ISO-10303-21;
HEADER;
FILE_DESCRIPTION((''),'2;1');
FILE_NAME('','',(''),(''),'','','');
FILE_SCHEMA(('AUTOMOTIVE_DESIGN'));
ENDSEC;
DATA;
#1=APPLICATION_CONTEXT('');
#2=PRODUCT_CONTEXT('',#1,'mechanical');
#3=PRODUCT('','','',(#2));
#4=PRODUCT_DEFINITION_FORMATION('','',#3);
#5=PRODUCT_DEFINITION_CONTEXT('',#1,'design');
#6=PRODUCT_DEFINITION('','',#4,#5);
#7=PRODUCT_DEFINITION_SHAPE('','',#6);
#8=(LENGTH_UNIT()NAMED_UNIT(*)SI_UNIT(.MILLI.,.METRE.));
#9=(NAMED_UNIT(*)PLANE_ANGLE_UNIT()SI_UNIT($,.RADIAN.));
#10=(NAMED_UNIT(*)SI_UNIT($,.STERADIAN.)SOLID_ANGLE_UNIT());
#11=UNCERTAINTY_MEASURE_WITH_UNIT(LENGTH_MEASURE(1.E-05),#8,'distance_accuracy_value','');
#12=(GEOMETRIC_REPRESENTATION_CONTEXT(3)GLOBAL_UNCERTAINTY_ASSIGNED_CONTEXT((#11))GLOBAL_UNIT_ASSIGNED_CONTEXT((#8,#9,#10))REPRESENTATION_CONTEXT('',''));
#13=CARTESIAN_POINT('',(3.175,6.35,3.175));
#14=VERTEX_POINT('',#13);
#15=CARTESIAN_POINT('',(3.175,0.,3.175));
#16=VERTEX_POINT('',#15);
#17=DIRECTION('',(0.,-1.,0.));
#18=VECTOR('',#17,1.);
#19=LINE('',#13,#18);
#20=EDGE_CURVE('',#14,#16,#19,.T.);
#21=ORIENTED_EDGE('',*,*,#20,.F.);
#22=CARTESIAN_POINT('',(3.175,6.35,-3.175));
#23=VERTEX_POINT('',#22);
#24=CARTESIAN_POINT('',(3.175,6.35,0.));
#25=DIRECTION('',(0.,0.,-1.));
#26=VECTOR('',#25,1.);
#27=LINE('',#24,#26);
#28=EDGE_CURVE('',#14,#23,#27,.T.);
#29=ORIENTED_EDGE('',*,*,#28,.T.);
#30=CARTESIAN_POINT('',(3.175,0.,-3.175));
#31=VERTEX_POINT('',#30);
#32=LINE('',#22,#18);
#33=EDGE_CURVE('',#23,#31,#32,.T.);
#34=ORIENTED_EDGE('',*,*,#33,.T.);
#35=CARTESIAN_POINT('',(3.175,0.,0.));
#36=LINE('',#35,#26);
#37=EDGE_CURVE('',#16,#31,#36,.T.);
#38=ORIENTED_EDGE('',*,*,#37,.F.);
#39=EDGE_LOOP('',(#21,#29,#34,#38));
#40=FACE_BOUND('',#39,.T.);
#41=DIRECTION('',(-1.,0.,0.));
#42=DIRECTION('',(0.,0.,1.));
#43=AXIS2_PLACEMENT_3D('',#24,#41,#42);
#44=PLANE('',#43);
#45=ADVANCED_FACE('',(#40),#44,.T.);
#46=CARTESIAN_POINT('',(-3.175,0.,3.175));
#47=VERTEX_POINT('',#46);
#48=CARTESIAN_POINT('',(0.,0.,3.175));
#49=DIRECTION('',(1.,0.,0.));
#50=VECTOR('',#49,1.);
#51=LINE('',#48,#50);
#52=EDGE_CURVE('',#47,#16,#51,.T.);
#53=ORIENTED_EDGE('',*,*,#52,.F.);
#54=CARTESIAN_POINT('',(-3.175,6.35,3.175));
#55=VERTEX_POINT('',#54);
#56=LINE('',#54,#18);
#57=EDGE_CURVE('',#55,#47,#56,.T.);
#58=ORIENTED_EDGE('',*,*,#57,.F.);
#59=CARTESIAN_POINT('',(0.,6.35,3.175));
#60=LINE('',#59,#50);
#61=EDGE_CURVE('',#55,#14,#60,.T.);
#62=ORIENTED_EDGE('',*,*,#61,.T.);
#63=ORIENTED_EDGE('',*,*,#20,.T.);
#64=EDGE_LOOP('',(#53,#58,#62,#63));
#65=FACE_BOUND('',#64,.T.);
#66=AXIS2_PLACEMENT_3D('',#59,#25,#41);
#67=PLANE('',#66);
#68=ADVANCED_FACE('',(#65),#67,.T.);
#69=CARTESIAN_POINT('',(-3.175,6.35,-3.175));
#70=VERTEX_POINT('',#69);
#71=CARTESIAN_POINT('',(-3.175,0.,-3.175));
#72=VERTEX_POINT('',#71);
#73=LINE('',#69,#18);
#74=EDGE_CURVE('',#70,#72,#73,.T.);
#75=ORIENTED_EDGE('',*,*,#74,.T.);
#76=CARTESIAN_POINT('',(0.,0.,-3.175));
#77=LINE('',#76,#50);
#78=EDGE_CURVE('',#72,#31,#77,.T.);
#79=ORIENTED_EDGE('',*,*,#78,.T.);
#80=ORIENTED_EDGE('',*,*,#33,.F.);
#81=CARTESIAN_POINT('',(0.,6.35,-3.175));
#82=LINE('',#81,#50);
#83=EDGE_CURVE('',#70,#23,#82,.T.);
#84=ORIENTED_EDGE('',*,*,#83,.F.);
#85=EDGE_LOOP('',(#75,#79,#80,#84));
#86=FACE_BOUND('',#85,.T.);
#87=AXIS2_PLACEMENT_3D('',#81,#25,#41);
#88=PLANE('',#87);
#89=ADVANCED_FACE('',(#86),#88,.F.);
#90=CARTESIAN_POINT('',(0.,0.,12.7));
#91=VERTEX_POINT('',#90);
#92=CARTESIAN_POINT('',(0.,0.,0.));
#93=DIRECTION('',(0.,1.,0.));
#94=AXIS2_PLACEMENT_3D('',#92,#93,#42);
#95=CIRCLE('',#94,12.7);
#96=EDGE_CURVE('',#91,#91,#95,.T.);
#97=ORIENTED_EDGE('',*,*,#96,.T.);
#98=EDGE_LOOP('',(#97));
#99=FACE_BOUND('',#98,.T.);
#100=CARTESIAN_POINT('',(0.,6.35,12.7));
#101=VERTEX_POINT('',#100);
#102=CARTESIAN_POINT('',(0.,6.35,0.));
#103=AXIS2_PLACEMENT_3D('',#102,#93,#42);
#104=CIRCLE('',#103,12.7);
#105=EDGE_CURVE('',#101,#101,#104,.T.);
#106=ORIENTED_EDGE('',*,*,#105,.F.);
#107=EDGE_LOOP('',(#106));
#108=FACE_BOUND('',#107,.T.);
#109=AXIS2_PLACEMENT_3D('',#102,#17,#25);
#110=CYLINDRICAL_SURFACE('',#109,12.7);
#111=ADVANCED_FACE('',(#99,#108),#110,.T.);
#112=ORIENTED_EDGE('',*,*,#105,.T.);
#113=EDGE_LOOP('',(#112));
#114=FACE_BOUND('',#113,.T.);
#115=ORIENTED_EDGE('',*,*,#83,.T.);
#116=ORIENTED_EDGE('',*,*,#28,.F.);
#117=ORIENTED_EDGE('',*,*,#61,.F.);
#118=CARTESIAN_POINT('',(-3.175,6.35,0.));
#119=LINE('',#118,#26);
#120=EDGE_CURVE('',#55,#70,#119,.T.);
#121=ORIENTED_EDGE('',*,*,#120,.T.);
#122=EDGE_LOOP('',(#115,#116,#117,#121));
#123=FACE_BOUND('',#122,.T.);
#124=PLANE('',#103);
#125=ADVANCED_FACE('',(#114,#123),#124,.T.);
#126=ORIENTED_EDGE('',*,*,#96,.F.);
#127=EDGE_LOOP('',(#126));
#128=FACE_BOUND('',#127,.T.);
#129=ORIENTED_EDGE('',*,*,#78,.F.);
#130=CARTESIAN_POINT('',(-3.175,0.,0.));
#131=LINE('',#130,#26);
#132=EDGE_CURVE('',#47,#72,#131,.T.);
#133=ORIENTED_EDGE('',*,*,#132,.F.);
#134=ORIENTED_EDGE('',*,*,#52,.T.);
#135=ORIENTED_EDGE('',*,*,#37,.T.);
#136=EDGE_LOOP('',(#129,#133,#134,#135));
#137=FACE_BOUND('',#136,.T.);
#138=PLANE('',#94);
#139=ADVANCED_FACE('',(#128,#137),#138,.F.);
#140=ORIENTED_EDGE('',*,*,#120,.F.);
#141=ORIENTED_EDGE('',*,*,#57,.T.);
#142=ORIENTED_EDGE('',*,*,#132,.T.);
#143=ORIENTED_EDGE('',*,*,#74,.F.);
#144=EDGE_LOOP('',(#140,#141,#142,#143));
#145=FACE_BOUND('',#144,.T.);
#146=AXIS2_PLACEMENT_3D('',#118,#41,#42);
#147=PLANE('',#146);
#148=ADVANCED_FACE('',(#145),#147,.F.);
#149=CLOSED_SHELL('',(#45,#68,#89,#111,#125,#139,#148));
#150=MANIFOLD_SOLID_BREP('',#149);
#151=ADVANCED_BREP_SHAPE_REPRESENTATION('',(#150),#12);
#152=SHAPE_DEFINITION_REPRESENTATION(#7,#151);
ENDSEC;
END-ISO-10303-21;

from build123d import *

# Parameters (mm, degrees)
BELT_PULLEY_R       = 12.7
BELT_PULLEY_W       = 6.35
BELT_PULLEY_H       = 6.35
BOSS_EXTRUDE1_DEPTH = 6.35


with BuildPart() as part:
    # Belt Pulley → Boss-Extrude1 (new body)
    with BuildSketch(Plane(origin=(0, 0, 0), x_dir=(1, 0, 0), z_dir=(0, 1, 0))):
        with Locations(Location((0, 0, 0), (0, 0, 270))):
            Circle(BELT_PULLEY_R)
        Rectangle(BELT_PULLEY_W, BELT_PULLEY_H, mode=Mode.SUBTRACT)
    extrude(amount=BOSS_EXTRUDE1_DEPTH)


solid = part.part
